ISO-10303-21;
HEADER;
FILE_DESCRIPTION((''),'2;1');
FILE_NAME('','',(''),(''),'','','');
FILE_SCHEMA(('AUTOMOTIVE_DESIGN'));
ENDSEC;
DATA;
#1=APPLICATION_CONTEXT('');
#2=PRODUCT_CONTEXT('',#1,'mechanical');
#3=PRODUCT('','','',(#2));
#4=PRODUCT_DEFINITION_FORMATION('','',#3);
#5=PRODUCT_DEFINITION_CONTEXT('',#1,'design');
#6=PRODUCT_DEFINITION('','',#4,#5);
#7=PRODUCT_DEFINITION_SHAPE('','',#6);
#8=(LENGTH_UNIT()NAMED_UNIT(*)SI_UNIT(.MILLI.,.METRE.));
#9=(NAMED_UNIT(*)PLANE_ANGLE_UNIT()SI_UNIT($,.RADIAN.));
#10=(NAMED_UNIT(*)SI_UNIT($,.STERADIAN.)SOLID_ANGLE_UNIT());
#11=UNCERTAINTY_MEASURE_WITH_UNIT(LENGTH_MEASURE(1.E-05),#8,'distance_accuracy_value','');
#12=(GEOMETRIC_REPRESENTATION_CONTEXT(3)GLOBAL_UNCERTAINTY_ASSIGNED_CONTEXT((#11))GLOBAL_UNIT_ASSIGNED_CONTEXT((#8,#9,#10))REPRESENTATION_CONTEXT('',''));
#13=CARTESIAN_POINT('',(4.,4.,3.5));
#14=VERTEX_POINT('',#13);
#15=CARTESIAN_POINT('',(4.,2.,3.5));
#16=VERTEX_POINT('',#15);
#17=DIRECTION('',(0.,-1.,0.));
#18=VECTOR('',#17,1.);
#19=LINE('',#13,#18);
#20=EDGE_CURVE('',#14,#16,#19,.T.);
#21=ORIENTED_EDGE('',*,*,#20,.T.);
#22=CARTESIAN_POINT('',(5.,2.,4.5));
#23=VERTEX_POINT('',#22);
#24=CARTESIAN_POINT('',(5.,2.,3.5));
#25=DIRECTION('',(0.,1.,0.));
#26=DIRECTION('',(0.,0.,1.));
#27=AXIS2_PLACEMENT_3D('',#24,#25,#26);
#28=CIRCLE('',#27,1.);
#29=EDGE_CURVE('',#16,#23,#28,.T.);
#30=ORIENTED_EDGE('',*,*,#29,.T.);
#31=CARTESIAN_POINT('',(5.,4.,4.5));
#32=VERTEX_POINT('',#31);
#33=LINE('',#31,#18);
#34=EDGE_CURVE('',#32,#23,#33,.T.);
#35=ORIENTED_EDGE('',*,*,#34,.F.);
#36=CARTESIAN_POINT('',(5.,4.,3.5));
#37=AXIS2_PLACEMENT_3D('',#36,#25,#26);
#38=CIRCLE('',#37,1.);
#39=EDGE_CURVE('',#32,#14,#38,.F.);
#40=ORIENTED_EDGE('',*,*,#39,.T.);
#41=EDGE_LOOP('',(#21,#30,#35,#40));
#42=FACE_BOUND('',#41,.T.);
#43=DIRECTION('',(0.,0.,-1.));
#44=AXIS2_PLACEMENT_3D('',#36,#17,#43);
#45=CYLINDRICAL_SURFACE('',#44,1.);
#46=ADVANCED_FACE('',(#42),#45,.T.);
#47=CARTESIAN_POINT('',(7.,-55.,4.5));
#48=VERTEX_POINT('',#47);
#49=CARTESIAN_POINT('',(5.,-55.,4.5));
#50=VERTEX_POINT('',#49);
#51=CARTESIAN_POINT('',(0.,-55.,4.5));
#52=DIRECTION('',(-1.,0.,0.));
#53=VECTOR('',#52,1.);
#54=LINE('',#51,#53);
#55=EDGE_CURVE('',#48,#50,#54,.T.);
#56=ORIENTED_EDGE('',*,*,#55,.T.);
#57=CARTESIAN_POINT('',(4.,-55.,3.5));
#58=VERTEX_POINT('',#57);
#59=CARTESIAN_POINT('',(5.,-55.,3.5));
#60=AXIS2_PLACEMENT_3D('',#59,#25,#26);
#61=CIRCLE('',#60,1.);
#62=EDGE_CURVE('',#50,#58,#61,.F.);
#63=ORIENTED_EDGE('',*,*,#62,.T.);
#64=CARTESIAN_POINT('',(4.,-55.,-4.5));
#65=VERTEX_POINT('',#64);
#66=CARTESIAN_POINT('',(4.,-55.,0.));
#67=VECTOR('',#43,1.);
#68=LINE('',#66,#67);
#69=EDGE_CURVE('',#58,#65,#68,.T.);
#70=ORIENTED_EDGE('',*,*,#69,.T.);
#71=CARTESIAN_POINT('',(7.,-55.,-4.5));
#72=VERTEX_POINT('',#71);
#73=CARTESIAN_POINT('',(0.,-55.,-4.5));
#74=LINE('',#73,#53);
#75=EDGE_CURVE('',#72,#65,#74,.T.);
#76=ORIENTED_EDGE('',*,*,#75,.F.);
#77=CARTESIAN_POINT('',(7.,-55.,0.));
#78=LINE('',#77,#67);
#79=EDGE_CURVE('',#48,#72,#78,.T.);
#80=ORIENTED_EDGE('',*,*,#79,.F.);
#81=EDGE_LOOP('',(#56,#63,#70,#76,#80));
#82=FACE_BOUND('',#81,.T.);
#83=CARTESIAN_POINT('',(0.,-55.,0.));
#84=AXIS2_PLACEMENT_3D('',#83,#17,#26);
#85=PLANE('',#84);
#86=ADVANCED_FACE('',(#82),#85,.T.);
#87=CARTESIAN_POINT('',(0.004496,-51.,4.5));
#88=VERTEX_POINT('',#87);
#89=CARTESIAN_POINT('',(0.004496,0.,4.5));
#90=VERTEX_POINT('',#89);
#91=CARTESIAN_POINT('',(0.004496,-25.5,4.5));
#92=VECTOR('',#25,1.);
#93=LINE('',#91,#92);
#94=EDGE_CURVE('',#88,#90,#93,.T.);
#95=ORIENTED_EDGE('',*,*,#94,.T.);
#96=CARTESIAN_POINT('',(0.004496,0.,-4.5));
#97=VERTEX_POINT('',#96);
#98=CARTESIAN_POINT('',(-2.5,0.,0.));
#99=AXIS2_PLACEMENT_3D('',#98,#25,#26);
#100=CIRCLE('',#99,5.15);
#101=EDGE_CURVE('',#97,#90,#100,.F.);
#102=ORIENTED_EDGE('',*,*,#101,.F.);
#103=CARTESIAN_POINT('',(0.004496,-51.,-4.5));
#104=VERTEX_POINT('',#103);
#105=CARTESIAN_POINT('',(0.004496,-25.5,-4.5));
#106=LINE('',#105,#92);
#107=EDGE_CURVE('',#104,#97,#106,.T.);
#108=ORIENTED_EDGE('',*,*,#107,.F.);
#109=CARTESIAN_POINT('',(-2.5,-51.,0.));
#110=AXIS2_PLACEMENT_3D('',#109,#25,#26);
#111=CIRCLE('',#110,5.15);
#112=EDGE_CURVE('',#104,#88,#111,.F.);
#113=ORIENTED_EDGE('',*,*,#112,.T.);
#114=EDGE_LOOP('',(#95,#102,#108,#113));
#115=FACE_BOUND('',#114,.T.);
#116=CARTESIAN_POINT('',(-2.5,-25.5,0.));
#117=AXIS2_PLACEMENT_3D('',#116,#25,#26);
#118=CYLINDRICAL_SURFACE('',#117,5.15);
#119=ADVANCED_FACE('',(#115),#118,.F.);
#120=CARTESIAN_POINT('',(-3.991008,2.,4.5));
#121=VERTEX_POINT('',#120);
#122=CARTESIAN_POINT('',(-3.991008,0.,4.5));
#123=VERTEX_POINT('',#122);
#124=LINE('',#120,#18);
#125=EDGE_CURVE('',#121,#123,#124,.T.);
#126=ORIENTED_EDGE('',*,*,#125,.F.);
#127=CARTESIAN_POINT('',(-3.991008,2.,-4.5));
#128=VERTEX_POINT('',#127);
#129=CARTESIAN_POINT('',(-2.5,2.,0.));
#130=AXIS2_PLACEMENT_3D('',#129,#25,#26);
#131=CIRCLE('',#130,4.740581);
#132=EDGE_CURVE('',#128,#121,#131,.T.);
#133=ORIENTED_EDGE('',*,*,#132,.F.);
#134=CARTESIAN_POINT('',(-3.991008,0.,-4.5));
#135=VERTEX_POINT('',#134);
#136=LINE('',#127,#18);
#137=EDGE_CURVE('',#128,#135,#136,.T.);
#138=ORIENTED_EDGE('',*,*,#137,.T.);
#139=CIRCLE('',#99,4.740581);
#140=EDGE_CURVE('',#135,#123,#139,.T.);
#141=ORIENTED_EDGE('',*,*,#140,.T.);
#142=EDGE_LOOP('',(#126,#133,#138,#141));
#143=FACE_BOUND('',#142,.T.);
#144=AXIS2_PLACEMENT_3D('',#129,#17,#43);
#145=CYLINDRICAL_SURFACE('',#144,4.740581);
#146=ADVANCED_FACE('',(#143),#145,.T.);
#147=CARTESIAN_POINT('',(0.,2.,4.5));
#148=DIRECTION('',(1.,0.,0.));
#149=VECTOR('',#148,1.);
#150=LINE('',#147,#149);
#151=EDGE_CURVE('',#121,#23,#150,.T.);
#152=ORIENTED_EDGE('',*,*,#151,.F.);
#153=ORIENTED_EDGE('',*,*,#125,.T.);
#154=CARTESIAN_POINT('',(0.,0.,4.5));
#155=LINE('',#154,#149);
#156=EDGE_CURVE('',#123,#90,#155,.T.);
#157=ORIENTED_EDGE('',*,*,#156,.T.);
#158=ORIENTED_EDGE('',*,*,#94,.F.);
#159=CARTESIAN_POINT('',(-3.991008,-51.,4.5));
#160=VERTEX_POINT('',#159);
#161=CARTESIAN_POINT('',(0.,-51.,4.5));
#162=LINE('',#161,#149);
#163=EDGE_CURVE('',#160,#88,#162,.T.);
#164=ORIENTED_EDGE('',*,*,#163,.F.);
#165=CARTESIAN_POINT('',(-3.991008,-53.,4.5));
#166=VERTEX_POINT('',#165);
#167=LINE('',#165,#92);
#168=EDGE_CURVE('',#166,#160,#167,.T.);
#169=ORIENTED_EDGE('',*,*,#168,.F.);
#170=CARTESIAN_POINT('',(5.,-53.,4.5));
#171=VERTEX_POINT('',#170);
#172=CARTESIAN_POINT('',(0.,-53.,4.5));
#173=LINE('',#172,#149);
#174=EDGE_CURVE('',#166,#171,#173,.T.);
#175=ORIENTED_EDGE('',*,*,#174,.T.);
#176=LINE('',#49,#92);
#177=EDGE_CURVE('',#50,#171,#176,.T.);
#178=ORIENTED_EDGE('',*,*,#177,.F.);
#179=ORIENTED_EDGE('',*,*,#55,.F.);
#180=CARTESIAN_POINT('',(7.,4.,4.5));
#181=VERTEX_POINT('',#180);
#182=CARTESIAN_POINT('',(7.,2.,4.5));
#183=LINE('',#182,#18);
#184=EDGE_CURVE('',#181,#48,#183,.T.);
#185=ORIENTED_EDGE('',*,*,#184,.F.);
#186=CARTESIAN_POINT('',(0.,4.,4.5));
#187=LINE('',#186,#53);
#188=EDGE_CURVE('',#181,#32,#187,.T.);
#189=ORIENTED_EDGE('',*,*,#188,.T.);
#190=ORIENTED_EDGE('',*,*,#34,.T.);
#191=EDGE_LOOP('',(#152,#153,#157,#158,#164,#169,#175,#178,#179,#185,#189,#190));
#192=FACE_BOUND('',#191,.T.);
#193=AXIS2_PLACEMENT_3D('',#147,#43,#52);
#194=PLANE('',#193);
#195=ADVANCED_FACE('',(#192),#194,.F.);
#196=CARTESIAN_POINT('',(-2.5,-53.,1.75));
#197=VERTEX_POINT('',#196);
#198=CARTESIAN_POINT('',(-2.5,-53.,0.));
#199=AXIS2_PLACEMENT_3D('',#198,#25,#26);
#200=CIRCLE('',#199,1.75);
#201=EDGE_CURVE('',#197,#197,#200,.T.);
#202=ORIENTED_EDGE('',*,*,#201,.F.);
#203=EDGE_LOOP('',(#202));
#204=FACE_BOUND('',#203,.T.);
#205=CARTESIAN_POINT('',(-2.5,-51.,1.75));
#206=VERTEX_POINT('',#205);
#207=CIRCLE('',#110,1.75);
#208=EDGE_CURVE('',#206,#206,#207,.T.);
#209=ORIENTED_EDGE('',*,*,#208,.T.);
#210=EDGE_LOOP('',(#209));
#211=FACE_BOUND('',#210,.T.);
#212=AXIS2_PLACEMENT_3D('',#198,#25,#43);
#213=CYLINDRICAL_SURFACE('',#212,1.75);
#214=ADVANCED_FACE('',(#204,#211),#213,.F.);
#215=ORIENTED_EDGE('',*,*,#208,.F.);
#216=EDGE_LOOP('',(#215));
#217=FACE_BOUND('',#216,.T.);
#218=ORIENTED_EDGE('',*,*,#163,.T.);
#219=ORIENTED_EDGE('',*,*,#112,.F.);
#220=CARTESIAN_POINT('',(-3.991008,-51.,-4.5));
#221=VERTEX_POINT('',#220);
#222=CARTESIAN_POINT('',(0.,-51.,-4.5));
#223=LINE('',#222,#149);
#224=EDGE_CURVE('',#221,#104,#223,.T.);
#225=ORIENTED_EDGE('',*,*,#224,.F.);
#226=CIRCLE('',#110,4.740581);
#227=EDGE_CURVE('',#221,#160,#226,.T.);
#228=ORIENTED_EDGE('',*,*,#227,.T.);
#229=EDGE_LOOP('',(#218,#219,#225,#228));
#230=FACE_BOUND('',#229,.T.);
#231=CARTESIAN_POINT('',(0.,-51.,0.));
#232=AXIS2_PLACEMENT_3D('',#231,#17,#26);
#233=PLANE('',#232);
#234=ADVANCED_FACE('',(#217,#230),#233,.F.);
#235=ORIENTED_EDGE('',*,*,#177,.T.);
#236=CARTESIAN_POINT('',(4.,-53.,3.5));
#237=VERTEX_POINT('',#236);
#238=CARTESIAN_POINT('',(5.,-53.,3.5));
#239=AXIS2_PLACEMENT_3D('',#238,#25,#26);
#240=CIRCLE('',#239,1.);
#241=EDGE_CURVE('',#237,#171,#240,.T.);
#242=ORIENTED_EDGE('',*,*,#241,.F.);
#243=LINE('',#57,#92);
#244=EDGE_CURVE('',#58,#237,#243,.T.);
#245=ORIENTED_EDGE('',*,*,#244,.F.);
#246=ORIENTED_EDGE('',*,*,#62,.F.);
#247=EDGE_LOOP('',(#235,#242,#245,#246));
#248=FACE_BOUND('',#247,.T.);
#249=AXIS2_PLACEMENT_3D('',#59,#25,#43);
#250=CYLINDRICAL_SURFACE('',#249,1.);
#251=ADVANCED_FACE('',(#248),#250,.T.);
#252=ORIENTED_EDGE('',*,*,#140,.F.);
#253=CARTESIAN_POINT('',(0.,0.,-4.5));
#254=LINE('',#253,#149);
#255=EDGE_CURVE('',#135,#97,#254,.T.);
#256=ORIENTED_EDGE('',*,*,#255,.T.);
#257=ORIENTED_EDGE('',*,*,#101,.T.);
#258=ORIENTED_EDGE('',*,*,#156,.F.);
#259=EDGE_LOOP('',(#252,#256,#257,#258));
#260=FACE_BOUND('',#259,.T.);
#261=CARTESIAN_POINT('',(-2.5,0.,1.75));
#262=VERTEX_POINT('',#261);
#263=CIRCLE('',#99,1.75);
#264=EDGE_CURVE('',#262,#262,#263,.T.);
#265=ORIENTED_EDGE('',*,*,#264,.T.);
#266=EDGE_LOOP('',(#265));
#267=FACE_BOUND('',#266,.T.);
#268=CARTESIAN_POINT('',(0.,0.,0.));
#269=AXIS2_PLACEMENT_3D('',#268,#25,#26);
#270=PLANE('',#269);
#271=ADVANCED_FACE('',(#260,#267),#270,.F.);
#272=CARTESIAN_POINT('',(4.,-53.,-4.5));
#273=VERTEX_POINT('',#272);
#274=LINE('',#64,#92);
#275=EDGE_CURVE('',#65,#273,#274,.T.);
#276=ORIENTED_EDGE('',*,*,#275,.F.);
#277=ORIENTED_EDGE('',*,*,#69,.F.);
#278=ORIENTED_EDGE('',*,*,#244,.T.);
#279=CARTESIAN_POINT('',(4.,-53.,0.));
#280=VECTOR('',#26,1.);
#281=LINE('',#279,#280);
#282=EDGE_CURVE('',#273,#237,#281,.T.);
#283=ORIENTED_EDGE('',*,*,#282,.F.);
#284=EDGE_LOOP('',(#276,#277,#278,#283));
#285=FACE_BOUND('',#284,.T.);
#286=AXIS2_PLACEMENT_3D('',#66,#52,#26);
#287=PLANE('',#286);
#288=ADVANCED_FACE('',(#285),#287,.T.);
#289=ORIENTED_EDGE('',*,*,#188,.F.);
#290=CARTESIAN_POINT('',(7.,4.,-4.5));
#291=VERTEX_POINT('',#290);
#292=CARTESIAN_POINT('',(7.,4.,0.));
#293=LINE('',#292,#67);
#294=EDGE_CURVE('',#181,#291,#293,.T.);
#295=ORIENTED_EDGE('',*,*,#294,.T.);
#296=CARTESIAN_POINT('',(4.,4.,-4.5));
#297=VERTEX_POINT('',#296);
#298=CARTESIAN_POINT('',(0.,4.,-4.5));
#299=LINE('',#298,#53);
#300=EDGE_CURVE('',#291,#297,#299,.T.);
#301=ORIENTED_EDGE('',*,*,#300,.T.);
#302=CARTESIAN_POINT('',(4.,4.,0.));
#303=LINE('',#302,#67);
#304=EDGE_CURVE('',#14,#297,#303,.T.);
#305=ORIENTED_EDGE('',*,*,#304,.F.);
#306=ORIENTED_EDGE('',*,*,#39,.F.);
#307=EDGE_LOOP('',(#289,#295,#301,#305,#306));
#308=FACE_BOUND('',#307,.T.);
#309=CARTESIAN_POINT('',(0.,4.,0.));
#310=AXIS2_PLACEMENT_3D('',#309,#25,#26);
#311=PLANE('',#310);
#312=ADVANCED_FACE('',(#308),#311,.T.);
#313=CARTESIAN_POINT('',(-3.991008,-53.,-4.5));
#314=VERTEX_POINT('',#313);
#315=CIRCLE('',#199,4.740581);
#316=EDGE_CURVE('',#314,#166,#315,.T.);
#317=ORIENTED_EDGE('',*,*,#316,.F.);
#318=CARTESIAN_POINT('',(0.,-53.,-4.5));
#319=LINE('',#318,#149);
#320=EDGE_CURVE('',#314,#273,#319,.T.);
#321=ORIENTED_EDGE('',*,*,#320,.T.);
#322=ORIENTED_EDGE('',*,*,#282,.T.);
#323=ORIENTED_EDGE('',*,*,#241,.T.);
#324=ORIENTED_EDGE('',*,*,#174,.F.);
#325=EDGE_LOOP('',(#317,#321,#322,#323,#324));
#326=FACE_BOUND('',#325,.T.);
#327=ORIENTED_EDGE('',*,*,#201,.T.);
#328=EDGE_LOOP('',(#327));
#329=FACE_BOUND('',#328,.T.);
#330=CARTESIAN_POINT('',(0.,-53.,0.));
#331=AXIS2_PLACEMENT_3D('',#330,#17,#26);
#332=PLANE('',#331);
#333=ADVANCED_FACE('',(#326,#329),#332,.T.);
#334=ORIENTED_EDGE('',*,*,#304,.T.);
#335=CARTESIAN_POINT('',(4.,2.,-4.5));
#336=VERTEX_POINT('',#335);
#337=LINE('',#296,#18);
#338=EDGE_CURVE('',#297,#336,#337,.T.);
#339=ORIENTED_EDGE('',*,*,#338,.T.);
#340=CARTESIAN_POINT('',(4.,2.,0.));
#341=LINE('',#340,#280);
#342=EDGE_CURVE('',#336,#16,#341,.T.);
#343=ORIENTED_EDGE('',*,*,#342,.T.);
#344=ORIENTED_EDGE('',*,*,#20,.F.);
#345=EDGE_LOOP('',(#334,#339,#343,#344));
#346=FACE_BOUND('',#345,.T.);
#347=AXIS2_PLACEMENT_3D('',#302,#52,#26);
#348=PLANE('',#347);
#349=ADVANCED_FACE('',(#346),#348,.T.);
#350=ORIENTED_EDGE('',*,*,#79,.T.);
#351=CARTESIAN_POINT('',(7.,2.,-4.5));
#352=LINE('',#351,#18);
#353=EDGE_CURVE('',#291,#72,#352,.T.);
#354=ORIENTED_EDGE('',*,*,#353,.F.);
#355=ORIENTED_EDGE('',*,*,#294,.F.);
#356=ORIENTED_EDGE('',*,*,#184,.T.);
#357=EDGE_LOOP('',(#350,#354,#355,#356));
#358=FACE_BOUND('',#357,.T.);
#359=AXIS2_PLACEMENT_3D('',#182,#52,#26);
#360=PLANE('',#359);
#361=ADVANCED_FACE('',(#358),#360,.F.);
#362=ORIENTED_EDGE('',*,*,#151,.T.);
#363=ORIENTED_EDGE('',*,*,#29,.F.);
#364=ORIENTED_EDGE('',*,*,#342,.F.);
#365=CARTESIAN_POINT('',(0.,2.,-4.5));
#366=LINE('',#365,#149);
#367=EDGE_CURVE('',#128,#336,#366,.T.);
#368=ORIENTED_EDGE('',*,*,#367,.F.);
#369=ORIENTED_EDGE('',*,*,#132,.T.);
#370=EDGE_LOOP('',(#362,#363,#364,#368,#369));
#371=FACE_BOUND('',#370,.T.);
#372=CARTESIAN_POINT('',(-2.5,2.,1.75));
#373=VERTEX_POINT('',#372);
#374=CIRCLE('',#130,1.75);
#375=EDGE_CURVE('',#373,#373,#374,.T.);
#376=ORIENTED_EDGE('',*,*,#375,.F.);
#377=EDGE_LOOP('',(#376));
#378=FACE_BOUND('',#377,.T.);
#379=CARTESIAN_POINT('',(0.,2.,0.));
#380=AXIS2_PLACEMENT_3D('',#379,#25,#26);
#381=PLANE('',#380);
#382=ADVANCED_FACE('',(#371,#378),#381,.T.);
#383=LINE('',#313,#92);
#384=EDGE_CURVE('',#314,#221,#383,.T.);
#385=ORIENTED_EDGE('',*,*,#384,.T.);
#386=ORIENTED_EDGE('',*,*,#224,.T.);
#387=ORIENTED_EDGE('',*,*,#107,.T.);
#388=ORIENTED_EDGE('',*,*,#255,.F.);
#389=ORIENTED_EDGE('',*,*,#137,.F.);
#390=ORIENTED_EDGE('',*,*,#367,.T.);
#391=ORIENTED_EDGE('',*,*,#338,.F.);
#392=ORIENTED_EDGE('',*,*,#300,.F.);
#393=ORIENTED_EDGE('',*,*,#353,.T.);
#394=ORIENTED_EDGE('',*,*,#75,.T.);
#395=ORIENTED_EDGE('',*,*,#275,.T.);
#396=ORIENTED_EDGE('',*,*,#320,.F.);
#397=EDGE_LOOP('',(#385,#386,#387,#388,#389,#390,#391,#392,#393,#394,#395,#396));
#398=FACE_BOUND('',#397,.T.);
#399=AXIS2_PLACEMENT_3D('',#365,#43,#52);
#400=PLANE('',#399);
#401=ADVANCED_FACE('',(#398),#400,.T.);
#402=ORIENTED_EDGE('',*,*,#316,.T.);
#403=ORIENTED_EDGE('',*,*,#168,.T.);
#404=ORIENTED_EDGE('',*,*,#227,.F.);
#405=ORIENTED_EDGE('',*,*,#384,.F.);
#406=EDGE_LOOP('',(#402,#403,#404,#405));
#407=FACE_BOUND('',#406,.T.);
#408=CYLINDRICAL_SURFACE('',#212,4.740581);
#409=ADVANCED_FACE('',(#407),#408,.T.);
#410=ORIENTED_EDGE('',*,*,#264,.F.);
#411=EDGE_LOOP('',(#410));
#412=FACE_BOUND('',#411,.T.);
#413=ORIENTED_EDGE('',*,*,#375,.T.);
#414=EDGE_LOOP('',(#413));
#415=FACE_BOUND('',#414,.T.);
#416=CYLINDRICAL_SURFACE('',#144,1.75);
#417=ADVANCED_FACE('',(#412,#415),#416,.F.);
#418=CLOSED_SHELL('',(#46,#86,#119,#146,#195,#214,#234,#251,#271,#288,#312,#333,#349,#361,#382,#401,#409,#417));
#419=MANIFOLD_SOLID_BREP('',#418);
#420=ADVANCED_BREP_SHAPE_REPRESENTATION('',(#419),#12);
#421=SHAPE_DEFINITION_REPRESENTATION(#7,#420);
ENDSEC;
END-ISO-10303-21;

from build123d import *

# Parameters (mm, degrees)
SKETCH1_R           = 1.75
BOSS_EXTRUDE3_DEPTH = 2
BOSS_EXTRUDE4_DEPTH = 25.5
BOSS_EXTRUDE5_DEPTH = 4


with BuildPart() as part:
    # Sketch1 → Boss-Extrude3 (new body)
    with BuildSketch(Plane(origin=(0, 0, 0), x_dir=(1, 0, 0), z_dir=(0, 1, 0))):
        with BuildLine():
            ThreePointArc((-3.991008085, 4.5), (-7.240580672, 0), (-3.991008085, -4.5))
            Line((-3.991008085, -4.5), (7, -4.5))
            Line((7, -4.5), (7, 4.5))
            Line((7, 4.5), (-3.991008085, 4.5))
        make_face()
        with Locations((-2.5, 0)):
            Circle(SKETCH1_R, mode=Mode.SUBTRACT)
    extrude(amount=BOSS_EXTRUDE3_DEPTH)

    # Sketch1<3> → Boss-Extrude4 (add)
    with BuildSketch(Plane(origin=(0, 0, 0), x_dir=(1, 0, 0), z_dir=(0, 1, 0))):
        with BuildLine():
            ThreePointArc((0.004495957, 4.5), (2.65, 0), (0.004495957, -4.5))
            Line((0.004495957, -4.5), (7, -4.5))
            Line((7, -4.5), (7, 4.5))
            Line((7, 4.5), (0.004495957, 4.5))
        make_face()
    extrude(amount=-BOSS_EXTRUDE4_DEPTH)

    # Sketch1<5> → Boss-Extrude5 (add)
    with BuildSketch(Plane(origin=(0, 0, 0), x_dir=(1, 0, 0), z_dir=(0, 1, 0))):
        with BuildLine():
            Line((5.019474666, 4.5), (4, 4.5))
            Line((4, 4.5), (4, -3.5))
            ThreePointArc((4, -3.5), (4.292893219, -4.207106781), (5, -4.5))
            Line((5, -4.5), (7, -4.5))
            Line((7, -4.5), (7, 4.5))
            Line((7, 4.5), (5.019474666, 4.5))
        make_face()
    extrude(amount=BOSS_EXTRUDE5_DEPTH)

    # Mirror1: part across plane


with BuildPart() as part_1:
    add(part.part)
    add(part.part.mirror(Plane.ZX.offset(-25.5)))


solid = part_1.part
